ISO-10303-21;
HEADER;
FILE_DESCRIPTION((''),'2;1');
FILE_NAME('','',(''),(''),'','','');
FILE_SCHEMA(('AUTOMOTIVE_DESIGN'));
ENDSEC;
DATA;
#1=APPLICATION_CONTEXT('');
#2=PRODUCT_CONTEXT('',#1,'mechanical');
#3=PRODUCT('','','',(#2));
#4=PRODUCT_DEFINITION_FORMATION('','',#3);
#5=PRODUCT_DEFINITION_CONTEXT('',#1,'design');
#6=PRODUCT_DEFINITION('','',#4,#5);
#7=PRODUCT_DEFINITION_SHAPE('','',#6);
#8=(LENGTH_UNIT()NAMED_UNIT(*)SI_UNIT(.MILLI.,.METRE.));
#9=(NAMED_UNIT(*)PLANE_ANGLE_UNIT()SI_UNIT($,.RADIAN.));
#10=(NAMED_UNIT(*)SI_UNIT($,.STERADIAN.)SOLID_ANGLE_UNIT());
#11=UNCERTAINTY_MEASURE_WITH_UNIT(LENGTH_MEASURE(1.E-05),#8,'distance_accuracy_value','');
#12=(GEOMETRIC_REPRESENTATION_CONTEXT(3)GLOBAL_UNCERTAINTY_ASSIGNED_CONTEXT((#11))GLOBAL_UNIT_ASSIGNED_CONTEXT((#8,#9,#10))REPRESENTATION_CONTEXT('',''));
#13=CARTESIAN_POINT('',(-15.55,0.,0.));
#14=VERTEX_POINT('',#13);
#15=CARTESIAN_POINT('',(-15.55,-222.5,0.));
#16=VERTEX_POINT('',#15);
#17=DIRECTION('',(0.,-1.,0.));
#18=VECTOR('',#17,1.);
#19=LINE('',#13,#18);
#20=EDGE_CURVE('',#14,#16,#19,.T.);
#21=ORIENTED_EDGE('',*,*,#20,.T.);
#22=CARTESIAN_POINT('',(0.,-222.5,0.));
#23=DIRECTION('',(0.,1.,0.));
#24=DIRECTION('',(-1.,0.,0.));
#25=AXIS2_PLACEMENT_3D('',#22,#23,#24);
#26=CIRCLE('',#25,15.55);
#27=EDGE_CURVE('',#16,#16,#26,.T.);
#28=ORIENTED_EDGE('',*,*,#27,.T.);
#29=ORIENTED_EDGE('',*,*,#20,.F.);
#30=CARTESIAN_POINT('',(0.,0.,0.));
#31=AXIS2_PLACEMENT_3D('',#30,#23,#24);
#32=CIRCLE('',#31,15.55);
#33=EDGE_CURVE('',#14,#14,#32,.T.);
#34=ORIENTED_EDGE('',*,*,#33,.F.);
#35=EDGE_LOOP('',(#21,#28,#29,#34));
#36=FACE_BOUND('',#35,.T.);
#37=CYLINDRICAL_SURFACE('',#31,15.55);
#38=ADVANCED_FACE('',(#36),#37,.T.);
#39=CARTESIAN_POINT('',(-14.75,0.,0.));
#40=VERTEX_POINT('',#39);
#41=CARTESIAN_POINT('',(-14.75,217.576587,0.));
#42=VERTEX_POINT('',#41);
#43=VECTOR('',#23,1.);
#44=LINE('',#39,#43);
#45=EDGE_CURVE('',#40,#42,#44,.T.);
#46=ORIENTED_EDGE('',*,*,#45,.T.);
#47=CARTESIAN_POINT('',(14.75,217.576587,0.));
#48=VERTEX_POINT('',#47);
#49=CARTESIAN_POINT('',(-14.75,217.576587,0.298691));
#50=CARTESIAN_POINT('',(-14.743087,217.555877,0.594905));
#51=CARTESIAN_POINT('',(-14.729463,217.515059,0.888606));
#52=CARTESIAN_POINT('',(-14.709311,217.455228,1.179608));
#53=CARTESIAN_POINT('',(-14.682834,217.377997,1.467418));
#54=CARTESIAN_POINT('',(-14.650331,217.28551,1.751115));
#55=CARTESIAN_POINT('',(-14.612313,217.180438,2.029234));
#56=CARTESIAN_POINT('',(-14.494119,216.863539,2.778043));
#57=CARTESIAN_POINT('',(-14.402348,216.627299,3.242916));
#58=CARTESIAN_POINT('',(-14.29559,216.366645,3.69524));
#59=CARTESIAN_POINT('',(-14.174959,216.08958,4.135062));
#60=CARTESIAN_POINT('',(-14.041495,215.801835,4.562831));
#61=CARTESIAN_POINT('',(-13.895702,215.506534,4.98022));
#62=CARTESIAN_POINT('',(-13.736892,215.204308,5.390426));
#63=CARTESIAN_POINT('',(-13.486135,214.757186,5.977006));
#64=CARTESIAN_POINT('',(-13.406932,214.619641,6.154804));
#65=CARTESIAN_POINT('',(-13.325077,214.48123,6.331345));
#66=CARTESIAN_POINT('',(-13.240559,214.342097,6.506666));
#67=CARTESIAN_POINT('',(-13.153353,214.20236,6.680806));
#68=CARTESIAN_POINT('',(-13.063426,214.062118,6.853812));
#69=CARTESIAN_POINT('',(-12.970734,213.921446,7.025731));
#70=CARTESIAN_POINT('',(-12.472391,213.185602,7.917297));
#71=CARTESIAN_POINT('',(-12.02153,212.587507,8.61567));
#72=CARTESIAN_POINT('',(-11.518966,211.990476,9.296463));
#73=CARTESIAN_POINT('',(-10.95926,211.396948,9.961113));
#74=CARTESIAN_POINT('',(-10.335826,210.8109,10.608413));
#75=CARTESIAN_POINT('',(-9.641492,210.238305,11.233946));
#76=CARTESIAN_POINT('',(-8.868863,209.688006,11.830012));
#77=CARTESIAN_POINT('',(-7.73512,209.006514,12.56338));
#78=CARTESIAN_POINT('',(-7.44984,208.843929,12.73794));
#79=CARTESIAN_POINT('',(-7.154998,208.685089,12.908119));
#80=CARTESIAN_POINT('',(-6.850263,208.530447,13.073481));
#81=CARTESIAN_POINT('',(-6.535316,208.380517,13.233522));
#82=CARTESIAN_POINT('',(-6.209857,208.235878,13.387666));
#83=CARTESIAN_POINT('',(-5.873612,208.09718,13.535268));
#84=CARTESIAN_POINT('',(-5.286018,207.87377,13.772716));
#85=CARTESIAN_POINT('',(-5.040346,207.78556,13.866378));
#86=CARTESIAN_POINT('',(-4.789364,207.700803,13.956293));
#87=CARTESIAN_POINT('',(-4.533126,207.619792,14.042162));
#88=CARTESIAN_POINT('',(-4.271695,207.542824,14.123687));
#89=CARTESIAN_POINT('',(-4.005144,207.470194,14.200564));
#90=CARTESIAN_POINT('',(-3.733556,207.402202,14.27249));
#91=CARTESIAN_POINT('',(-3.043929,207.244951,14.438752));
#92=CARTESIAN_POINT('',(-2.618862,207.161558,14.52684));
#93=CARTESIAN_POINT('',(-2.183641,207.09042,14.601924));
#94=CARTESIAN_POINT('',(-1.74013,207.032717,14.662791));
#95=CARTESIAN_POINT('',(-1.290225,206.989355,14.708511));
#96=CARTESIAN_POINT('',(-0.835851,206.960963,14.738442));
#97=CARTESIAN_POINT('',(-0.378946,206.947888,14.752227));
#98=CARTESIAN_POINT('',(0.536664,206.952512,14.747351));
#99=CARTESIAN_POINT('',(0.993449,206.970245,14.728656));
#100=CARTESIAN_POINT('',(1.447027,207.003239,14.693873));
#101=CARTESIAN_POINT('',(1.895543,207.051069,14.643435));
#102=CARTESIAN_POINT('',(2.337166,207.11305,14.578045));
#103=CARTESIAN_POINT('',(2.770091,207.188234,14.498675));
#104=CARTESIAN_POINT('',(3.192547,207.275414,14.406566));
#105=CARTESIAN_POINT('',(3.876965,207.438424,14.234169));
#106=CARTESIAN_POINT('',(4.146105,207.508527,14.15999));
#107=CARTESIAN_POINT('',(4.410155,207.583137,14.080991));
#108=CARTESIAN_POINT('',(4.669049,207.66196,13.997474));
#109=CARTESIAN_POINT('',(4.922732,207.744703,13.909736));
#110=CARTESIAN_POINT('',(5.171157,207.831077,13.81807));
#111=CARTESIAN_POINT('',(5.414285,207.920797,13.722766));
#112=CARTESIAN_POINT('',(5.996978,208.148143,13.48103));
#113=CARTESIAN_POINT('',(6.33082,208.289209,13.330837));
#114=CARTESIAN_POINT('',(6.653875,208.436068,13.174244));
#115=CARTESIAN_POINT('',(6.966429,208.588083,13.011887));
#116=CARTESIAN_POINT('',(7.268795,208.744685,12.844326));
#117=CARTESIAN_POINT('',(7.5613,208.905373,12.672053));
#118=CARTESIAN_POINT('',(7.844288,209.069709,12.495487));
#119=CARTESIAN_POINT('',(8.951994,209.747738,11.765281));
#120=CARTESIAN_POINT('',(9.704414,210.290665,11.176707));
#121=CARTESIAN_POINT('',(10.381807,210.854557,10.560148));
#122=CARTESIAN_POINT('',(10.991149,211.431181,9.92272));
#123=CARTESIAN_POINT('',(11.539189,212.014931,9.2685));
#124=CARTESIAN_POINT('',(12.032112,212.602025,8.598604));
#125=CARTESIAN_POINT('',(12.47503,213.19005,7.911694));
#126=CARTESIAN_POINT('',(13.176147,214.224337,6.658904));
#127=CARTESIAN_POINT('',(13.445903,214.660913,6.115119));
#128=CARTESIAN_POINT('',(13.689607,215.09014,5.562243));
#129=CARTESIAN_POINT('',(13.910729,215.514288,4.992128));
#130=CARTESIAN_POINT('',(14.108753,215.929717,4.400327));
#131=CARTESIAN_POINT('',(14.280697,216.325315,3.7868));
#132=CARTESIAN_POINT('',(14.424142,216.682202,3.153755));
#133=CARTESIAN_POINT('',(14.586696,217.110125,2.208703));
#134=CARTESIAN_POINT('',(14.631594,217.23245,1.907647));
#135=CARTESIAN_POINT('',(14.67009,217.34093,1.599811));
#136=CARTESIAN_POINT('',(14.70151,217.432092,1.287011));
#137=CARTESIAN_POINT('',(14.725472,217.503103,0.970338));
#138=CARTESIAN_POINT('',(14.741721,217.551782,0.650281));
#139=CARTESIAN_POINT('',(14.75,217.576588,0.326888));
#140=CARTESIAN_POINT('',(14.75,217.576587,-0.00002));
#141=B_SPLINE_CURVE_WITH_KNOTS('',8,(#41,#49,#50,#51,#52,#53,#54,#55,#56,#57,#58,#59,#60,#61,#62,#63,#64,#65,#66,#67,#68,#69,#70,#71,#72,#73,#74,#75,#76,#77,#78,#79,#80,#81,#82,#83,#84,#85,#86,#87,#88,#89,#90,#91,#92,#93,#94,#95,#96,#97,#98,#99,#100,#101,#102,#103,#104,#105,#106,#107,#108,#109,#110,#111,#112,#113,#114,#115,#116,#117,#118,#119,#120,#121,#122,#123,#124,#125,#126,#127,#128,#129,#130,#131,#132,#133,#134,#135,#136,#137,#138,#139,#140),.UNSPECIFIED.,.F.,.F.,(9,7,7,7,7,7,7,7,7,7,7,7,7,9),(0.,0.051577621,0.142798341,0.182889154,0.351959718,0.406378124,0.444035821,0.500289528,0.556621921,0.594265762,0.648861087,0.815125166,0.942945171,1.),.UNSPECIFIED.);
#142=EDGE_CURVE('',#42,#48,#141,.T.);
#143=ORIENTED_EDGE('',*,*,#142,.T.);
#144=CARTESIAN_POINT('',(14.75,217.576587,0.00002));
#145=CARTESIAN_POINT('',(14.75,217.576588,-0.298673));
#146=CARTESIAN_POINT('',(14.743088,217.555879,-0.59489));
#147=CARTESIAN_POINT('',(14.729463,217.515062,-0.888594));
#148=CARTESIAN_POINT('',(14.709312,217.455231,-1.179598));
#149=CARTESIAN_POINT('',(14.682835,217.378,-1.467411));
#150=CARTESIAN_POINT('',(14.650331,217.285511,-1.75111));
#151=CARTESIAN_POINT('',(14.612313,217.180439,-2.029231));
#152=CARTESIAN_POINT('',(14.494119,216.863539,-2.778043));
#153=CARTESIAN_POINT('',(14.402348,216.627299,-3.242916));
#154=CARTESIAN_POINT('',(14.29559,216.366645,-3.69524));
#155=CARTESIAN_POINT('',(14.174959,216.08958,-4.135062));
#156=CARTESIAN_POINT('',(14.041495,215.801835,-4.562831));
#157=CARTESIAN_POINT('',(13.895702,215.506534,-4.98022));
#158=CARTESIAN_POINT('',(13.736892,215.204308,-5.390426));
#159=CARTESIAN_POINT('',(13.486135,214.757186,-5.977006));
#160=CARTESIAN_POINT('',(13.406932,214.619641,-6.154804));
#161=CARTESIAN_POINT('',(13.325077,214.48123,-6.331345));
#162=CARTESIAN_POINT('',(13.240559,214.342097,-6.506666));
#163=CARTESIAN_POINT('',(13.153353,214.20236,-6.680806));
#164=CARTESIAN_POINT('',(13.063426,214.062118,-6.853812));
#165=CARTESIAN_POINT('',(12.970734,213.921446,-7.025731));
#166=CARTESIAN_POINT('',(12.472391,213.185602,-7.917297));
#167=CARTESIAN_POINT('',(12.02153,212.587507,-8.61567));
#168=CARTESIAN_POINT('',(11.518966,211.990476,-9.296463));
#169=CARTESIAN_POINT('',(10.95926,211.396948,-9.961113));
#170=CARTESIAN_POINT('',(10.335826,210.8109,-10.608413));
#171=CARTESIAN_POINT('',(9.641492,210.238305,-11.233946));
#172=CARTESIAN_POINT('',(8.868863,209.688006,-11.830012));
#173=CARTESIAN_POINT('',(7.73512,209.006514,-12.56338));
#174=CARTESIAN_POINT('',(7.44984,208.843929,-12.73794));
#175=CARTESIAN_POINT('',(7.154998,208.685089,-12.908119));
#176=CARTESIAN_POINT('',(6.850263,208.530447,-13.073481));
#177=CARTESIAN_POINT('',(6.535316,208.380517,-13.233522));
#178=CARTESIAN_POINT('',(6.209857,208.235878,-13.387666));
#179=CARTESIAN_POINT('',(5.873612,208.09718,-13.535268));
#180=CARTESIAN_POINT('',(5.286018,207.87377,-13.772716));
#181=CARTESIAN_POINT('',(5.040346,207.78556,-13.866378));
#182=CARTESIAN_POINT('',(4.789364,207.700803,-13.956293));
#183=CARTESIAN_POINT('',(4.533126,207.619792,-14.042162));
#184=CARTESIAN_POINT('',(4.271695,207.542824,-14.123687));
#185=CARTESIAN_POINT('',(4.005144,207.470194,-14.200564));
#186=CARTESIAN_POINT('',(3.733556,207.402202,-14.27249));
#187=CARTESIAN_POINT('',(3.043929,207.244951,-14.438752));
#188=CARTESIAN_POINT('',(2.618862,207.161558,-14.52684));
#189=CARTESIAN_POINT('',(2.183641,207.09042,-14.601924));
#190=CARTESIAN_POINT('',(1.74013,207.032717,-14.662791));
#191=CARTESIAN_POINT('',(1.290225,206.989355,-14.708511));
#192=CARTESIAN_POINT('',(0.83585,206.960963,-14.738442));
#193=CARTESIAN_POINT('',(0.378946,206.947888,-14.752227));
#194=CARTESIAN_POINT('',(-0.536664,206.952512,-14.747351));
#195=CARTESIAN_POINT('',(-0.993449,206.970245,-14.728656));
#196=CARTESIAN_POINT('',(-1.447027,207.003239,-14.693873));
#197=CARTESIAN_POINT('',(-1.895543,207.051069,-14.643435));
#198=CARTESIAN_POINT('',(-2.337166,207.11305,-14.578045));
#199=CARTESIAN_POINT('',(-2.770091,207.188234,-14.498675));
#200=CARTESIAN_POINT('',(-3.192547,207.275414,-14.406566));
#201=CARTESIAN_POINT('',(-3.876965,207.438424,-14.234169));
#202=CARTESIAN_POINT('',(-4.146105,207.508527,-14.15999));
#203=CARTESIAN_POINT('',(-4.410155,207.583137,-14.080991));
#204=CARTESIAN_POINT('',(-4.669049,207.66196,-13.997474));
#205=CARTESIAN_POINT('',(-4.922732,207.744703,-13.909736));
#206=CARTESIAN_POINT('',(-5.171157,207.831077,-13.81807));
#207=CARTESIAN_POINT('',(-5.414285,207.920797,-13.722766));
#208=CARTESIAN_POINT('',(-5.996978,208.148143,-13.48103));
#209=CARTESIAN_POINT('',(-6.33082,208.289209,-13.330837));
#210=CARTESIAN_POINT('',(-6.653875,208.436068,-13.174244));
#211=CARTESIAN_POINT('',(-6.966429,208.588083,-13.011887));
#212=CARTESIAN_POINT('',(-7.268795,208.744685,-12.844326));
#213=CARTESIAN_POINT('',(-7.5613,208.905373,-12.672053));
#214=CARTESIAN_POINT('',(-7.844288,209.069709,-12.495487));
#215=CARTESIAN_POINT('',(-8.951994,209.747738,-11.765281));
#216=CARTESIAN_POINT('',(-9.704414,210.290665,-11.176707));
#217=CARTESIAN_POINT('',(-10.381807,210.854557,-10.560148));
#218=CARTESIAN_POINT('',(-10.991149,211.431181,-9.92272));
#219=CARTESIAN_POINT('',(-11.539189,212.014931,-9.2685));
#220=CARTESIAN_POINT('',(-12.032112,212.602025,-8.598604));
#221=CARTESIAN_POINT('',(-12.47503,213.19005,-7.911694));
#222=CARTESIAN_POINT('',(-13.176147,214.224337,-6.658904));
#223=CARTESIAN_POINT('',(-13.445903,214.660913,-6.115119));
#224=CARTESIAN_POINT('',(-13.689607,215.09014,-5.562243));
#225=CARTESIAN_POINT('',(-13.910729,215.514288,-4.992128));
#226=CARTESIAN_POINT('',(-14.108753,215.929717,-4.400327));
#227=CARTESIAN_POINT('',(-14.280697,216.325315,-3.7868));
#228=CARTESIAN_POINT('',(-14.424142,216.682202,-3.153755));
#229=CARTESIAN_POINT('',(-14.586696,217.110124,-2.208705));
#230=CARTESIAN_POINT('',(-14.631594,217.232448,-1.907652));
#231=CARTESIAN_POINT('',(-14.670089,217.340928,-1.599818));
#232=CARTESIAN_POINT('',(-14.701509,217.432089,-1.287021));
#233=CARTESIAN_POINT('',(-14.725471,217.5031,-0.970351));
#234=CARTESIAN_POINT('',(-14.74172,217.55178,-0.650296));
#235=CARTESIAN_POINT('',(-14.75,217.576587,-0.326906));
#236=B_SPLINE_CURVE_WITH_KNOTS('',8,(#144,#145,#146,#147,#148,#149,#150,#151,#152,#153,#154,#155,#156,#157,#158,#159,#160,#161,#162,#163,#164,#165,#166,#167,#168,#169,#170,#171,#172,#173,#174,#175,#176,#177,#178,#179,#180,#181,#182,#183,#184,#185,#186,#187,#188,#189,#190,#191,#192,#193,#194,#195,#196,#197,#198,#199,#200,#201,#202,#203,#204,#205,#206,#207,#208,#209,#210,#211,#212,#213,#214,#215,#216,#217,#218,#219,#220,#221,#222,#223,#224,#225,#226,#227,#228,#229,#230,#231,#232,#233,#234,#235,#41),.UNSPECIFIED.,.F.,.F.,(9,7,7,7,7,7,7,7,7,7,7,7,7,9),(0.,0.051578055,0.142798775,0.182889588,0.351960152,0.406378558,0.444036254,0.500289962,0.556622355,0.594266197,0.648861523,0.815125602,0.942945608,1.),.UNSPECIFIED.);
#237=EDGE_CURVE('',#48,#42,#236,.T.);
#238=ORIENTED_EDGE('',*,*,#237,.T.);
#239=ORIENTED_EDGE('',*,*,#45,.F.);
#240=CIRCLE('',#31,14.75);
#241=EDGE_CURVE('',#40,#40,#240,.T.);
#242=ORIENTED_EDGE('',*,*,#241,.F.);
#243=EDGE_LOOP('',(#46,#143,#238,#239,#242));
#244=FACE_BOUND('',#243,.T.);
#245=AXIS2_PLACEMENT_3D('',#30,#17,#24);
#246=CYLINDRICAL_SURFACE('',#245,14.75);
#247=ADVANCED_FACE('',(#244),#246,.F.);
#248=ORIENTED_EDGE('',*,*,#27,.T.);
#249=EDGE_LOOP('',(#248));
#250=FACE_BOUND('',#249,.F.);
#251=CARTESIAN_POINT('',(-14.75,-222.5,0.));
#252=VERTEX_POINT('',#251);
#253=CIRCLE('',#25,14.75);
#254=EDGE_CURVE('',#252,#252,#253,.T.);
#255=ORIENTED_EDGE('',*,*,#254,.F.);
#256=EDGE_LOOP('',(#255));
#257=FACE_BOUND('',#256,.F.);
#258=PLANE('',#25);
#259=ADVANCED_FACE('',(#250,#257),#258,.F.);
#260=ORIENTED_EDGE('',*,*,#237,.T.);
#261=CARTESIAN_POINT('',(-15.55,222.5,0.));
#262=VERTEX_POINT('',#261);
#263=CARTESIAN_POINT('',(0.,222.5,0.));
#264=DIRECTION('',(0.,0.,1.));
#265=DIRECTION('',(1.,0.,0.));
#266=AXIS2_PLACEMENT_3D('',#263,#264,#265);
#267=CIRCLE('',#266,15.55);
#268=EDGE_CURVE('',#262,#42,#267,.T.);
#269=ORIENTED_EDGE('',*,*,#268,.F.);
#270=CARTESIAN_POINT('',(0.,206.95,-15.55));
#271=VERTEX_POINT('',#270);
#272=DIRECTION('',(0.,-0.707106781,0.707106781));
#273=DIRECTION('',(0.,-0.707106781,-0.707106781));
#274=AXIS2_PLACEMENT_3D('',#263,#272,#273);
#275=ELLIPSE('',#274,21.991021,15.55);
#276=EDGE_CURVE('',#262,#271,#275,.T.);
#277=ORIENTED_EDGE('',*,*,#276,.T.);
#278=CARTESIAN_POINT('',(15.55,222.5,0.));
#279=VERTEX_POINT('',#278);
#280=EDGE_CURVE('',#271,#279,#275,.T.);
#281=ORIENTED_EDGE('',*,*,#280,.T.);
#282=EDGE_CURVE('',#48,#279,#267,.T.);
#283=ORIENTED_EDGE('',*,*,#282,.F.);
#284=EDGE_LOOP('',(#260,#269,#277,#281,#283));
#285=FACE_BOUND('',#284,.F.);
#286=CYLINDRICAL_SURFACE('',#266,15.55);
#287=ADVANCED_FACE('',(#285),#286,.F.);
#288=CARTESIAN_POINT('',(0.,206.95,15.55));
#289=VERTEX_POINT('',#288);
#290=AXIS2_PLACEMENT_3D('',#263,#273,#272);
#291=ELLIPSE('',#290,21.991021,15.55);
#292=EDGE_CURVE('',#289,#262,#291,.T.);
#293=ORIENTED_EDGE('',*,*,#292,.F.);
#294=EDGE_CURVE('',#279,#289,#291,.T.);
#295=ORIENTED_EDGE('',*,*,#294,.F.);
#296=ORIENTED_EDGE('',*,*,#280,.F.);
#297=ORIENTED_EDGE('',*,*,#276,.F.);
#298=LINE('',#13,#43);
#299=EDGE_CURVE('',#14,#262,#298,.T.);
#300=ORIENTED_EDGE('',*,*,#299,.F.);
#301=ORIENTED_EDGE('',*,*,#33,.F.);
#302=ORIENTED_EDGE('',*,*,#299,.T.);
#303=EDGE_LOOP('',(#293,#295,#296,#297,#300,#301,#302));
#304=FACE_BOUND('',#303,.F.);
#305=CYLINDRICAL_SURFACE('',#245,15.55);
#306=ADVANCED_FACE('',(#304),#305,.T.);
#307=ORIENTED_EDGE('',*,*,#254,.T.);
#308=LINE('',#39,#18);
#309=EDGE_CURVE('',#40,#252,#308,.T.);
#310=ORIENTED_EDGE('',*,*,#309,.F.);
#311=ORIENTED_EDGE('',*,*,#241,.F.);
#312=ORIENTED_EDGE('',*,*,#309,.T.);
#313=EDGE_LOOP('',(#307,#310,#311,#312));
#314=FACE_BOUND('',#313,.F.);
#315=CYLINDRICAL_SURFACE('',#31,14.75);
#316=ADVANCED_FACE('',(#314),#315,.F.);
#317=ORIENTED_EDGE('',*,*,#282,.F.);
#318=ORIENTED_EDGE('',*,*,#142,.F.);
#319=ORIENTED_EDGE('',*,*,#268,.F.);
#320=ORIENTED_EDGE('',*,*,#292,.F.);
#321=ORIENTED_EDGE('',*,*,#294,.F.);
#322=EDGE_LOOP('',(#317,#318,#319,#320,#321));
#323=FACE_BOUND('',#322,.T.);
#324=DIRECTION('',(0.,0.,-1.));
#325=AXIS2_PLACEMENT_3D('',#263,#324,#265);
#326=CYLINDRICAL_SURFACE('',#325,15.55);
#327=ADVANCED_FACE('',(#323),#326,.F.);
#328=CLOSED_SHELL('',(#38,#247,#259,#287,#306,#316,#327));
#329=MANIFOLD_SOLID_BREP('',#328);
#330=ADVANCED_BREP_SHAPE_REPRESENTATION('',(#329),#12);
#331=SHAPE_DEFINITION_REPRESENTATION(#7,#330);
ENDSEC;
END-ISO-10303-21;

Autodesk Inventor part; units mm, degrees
ref_plane "YZ Plane" through (0, 0, 0) normal (1, 0, 0) x (0, 1, 0)
ref_plane "XZ Plane" through (0, 0, 0) normal (0, 1, 0) x (-1, 0, 0)
ref_plane "XY Plane" through (0, 0, 0) normal (0, 0, 1) x (1, 0, 0)
sketch "Sketch1" plane through (0, 0, 0) normal (0, 1, 0) x (-1, 0, 0)
  circle A0 centre (0, 0) radius 15.55
  circle A1 centre (0, 0) radius 14.75
  dimension "d0" = 31.1
  dimension "d1" = 29.5
extrude "Extrusion1" add sketch "Sketch1" along normal mid plane 445
sketch "Sketch6" plane through (0, 0, 0) normal (0, 0, 1) x (1, 0, 0)
  circle A0 centre (0, 222.5) radius 15.55 projected
  point P0 (0, 0)
extrude "Extrusion6" cut sketch "Sketch6" along normal mid plane 200
properties part number "SP12V1 Agarre Baranda" material "Acero, carbono"
